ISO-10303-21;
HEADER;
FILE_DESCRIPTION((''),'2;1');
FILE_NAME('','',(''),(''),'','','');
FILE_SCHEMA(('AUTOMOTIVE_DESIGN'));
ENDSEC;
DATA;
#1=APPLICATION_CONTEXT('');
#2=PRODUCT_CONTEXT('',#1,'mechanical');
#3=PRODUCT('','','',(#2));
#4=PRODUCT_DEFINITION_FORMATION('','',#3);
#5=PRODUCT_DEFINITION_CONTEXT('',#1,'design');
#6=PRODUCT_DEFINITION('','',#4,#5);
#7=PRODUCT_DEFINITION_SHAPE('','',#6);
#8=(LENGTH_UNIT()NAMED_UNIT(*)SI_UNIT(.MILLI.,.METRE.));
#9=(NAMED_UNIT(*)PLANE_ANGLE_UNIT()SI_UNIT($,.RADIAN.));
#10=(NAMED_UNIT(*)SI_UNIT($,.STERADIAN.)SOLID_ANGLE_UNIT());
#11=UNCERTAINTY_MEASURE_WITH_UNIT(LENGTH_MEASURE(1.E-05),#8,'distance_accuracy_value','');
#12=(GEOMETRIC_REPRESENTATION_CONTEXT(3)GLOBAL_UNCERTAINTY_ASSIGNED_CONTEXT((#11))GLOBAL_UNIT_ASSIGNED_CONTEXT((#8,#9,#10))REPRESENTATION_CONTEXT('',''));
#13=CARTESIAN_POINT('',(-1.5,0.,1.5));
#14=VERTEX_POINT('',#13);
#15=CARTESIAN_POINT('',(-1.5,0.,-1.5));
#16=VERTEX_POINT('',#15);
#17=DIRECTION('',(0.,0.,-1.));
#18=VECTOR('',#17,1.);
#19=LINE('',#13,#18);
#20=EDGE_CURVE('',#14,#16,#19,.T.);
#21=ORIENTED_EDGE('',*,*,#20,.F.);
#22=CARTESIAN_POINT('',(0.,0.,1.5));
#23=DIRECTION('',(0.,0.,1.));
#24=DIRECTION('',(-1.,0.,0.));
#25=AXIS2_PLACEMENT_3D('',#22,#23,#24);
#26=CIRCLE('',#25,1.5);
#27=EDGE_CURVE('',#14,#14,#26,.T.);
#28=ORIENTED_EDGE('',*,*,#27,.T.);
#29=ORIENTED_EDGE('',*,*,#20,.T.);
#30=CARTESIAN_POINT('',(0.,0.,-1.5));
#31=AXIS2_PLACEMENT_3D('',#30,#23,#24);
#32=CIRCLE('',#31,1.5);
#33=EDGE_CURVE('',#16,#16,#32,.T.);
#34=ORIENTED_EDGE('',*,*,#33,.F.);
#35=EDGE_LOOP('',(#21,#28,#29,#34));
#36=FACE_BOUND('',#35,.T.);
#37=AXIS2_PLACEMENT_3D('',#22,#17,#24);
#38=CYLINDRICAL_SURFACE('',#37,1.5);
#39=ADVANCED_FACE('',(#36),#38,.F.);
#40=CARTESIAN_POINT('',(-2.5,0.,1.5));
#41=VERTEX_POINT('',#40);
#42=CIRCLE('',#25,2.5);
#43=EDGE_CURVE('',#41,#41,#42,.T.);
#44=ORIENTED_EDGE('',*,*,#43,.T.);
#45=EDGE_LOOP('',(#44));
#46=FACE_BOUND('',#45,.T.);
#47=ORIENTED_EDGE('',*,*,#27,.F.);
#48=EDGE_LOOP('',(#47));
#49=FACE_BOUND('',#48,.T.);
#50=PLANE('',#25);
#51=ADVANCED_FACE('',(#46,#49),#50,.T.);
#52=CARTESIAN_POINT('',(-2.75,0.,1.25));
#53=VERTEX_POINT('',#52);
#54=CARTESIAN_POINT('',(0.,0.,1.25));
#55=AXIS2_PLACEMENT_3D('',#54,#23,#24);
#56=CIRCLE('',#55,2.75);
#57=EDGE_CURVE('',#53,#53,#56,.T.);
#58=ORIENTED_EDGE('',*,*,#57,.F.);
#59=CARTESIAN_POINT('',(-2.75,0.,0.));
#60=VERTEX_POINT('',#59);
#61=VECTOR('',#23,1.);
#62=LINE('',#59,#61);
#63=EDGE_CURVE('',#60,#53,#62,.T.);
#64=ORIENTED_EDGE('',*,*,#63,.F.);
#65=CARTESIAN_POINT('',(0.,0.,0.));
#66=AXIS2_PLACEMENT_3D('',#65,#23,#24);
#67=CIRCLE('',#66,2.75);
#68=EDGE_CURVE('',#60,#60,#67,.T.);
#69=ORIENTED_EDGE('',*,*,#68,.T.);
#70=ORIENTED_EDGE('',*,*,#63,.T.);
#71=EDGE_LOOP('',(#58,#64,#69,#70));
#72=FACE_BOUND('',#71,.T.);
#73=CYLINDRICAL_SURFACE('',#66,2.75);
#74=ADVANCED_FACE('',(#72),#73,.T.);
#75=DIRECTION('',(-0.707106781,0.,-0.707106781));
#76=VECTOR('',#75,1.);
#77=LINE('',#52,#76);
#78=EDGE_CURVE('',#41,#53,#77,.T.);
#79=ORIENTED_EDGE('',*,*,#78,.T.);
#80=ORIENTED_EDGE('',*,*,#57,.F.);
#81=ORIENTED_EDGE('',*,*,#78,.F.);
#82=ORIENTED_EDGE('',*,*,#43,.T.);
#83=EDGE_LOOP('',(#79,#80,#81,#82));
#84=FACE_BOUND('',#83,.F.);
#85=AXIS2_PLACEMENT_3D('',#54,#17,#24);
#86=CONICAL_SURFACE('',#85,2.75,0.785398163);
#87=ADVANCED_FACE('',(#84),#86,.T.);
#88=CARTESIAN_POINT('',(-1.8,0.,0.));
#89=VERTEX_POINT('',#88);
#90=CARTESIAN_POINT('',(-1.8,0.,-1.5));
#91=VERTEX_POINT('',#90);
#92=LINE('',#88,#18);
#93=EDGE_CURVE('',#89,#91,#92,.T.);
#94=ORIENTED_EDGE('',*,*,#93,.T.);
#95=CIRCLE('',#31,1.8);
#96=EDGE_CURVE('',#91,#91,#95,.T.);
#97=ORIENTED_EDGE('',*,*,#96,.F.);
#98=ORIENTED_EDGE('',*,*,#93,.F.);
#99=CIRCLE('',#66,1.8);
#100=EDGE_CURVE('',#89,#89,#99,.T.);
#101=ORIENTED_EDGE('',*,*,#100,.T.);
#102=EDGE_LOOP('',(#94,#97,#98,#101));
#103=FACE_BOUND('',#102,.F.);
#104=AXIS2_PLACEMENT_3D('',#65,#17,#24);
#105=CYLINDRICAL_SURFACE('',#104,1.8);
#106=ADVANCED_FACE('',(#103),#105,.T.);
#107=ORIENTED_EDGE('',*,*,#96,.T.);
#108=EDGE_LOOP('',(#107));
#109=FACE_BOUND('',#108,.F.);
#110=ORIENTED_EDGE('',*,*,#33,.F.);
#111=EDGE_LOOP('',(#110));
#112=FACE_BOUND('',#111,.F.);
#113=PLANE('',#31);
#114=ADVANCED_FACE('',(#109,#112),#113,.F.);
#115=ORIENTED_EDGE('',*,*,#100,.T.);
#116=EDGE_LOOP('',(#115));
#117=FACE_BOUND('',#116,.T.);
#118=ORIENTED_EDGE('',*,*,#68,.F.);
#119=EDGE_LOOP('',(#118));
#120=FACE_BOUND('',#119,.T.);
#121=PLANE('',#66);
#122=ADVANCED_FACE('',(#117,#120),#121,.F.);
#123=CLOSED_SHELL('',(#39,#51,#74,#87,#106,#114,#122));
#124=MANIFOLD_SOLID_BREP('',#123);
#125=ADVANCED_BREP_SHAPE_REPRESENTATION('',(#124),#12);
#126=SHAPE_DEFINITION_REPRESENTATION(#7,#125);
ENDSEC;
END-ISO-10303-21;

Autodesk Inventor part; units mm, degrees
ref_plane "YZ Plane" through (0, 0, 0) normal (1, 0, 0) x (0, 1, 0)
ref_plane "XZ Plane" through (0, 0, 0) normal (0, 1, 0) x (-1, 0, 0)
ref_plane "XY Plane" through (0, 0, 0) normal (0, 0, 1) x (1, 0, 0)
sketch "Эскиз1" plane through (0, 0, 0) normal (0, 1, 0) x (-1, 0, 0)
  line L0 (0, 0) -> (2.75, 0)
  line L1 (2.75, 0) -> (2.75, 1.5)
  line L2 (2.75, 1.5) -> (-2.75, 1.5)
  line L3 (-2.75, 1.5) -> (-2.75, 0)
  line L4 (-2.75, 0) -> (2.75, 0)
  line L5 (0, 0) -> (1.8, 0)
  line L6 (1.8, 0) -> (1.8, -1.5)
  line L7 (1.8, -1.5) -> (-1.8, -1.5)
  line L8 (-1.8, -1.5) -> (-1.8, 0)
  line L9 (0, 1.5) -> (1.5, 1.5)
  line L10 (1.5, 1.5) -> (1.5, -1.5)
  line L11 (0, -1.5) -> (0, 1.5)
  dimension "d0" = 2.75
  dimension "d1" = 1.5
  dimension "d2" = 5.5
  dimension "d3" = 1.8
  dimension "d4" = 1.5
  dimension "d5" = 3.6
  dimension "d6" = 1.5
revolve "Вращение1" add sketch "Эскиз1" angle 360 about axis through (0, 0, -1.5) along (0, 0, 1) contours L0 L10 L2 L1 | L6 L7 L10 L0
thread "Резьба1" size "M3x0.5" class "6H" standard "ANSI Metric M Profile" full length
chamfer "Фаска1" distance 0.25 angle 45 1 edges at (2.75, 0, 1.5)
properties part number "soldered nut_1,5"
